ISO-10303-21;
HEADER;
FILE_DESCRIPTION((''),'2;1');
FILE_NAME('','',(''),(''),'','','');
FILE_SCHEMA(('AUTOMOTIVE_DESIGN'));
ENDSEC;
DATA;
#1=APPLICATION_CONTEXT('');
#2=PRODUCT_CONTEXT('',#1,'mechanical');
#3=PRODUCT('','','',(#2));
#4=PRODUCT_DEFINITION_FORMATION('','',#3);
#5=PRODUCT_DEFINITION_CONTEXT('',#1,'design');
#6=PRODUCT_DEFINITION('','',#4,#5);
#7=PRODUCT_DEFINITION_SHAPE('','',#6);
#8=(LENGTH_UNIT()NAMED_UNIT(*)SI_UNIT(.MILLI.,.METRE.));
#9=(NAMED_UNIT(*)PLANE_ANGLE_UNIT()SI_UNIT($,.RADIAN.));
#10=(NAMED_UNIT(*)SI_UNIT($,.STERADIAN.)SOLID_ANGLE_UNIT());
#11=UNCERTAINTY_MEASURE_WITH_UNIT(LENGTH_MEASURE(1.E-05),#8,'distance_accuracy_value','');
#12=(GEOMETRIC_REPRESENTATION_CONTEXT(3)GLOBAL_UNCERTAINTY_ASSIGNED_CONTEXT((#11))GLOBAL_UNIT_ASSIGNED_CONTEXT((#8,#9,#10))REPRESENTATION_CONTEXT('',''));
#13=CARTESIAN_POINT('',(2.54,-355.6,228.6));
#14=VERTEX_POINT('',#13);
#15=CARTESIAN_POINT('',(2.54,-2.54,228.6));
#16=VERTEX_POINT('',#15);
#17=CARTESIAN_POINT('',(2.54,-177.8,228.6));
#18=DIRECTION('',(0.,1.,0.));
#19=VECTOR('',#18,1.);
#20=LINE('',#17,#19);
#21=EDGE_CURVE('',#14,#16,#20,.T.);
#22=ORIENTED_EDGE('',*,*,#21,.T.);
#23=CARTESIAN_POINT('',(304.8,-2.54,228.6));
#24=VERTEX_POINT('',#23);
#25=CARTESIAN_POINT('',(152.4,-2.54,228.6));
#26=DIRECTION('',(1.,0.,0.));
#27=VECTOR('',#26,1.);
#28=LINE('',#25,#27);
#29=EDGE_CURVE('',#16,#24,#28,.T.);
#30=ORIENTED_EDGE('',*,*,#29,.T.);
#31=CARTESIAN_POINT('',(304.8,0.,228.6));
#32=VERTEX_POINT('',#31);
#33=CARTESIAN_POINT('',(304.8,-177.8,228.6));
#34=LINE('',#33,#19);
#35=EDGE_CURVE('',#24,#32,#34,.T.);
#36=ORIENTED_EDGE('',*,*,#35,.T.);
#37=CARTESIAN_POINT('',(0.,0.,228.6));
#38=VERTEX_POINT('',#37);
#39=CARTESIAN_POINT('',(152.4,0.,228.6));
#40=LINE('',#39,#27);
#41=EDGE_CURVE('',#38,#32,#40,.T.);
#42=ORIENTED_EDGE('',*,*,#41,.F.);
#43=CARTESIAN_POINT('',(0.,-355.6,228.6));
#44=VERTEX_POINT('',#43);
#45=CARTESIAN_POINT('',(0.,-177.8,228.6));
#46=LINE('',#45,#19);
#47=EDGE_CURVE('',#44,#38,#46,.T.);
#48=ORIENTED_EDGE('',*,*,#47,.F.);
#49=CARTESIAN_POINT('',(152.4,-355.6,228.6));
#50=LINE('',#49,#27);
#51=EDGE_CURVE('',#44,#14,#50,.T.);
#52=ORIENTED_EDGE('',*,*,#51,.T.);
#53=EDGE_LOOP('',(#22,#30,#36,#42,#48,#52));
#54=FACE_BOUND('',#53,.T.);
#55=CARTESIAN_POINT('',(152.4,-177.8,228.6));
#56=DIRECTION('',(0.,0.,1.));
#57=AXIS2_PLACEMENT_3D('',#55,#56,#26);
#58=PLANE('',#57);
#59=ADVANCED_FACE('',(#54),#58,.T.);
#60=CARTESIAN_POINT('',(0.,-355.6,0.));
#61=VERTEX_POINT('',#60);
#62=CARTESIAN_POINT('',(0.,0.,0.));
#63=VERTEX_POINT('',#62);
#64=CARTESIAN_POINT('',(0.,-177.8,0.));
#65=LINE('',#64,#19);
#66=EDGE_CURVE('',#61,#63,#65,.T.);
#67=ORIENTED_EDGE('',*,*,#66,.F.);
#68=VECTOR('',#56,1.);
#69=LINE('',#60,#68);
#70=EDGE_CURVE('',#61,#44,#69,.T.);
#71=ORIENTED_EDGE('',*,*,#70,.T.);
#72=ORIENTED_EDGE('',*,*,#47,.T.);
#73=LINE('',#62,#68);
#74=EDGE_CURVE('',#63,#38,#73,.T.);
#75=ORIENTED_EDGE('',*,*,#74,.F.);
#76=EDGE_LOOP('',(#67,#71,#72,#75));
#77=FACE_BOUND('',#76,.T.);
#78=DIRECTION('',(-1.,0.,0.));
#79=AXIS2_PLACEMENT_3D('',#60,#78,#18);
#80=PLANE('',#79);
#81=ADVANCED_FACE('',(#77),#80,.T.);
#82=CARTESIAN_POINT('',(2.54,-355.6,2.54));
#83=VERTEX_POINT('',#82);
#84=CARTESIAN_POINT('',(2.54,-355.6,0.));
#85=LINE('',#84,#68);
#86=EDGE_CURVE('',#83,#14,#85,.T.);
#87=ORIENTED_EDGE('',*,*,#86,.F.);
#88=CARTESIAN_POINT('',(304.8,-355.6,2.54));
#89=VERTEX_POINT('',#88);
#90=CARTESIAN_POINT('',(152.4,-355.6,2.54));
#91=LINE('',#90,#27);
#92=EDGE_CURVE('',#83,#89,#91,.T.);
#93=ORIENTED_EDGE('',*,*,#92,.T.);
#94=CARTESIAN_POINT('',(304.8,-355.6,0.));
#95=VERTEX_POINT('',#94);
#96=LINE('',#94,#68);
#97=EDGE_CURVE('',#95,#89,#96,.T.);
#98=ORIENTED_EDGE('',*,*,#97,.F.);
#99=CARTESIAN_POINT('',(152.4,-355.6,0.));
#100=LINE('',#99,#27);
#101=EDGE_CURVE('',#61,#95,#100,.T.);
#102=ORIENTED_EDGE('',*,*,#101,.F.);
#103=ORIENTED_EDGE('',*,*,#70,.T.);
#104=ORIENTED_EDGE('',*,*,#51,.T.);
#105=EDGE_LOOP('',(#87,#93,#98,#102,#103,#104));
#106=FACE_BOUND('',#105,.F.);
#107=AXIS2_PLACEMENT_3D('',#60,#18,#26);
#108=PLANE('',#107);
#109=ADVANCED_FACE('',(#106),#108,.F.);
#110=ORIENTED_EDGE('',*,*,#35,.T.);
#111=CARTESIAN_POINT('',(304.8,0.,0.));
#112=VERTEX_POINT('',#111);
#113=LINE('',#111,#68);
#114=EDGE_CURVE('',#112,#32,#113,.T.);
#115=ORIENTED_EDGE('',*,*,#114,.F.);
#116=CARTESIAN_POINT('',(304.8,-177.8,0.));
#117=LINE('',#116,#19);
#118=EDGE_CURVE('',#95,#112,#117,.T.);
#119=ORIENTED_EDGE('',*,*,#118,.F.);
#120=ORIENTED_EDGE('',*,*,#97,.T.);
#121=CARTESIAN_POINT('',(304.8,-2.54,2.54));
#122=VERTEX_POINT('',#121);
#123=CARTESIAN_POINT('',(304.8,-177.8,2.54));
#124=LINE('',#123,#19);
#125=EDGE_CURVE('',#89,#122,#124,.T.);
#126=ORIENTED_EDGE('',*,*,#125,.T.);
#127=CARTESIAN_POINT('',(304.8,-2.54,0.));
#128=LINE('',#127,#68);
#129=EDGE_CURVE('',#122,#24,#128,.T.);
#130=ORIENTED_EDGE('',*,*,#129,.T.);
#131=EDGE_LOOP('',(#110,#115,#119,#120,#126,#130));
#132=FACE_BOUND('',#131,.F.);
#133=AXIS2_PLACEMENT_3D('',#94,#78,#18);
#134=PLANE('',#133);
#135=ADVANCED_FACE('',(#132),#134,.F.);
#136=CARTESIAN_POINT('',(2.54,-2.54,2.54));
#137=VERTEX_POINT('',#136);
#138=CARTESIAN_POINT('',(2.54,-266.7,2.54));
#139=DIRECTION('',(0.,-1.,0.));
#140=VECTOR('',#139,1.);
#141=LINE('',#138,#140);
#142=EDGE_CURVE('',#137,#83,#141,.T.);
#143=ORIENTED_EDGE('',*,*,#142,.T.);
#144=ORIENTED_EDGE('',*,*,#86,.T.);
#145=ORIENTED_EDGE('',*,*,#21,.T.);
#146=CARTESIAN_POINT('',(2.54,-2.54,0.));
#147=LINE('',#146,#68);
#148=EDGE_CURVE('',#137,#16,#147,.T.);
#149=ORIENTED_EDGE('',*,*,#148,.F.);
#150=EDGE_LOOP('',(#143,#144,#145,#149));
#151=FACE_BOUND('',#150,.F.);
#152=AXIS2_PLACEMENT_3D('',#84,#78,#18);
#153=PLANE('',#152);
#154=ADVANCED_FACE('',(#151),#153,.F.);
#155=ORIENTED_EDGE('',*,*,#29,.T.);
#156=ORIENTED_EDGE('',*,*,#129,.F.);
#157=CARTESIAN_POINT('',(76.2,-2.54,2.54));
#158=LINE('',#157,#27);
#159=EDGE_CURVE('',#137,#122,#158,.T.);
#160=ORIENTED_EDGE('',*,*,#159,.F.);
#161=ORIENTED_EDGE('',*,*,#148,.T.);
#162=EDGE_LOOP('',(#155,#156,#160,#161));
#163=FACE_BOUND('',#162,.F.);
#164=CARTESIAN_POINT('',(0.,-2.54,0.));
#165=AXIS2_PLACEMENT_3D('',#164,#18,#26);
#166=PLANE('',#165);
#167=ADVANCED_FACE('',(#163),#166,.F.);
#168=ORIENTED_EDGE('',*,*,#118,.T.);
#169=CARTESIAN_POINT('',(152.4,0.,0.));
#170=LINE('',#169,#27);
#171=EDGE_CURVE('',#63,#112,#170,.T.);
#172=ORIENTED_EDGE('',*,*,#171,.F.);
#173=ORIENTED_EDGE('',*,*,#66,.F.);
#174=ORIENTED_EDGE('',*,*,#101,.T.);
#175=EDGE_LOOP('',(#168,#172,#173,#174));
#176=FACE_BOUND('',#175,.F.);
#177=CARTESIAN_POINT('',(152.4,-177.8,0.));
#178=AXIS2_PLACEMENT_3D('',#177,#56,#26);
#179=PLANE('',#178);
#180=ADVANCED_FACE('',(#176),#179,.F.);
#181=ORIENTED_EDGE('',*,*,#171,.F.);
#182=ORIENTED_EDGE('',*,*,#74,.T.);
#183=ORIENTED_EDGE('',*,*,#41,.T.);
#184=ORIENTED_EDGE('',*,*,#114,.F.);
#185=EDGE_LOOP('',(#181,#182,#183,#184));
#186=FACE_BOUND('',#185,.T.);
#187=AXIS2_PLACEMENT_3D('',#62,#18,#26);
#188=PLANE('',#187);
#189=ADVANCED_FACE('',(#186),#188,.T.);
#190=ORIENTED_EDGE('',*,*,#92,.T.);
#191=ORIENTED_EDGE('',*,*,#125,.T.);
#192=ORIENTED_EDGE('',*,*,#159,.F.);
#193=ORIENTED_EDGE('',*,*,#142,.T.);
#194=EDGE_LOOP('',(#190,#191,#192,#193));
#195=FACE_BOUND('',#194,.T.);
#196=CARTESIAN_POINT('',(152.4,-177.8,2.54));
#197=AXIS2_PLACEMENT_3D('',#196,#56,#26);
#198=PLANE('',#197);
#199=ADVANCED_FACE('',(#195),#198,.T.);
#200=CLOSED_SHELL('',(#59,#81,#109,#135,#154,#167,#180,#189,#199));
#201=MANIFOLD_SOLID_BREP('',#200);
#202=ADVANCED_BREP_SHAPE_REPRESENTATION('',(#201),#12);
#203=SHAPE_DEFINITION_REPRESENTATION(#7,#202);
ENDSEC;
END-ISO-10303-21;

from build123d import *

# Parameters (mm, degrees)
F0_W     = 304.8
F0_H     = 355.6
F1_DEPTH = 228.6
F2_T     = -2.54


with BuildPart() as f1:
    # F0 (on Top) → F1 (new body)
    with BuildSketch(Plane.XY):
        with Locations((152.4, -177.8)):
            Rectangle(F0_W, F0_H)
    extrude(amount=F1_DEPTH)

    # F2
    f2_openings = [f1.faces().sort_by_distance(p)[0] for p in [
        (152.4, -177.8, 228.6),
        (152.4, -355.6, 114.3),
        (304.8, -177.8, 114.3),
    ]]
    offset(amount=F2_T, openings=f2_openings)


solid = f1.part
